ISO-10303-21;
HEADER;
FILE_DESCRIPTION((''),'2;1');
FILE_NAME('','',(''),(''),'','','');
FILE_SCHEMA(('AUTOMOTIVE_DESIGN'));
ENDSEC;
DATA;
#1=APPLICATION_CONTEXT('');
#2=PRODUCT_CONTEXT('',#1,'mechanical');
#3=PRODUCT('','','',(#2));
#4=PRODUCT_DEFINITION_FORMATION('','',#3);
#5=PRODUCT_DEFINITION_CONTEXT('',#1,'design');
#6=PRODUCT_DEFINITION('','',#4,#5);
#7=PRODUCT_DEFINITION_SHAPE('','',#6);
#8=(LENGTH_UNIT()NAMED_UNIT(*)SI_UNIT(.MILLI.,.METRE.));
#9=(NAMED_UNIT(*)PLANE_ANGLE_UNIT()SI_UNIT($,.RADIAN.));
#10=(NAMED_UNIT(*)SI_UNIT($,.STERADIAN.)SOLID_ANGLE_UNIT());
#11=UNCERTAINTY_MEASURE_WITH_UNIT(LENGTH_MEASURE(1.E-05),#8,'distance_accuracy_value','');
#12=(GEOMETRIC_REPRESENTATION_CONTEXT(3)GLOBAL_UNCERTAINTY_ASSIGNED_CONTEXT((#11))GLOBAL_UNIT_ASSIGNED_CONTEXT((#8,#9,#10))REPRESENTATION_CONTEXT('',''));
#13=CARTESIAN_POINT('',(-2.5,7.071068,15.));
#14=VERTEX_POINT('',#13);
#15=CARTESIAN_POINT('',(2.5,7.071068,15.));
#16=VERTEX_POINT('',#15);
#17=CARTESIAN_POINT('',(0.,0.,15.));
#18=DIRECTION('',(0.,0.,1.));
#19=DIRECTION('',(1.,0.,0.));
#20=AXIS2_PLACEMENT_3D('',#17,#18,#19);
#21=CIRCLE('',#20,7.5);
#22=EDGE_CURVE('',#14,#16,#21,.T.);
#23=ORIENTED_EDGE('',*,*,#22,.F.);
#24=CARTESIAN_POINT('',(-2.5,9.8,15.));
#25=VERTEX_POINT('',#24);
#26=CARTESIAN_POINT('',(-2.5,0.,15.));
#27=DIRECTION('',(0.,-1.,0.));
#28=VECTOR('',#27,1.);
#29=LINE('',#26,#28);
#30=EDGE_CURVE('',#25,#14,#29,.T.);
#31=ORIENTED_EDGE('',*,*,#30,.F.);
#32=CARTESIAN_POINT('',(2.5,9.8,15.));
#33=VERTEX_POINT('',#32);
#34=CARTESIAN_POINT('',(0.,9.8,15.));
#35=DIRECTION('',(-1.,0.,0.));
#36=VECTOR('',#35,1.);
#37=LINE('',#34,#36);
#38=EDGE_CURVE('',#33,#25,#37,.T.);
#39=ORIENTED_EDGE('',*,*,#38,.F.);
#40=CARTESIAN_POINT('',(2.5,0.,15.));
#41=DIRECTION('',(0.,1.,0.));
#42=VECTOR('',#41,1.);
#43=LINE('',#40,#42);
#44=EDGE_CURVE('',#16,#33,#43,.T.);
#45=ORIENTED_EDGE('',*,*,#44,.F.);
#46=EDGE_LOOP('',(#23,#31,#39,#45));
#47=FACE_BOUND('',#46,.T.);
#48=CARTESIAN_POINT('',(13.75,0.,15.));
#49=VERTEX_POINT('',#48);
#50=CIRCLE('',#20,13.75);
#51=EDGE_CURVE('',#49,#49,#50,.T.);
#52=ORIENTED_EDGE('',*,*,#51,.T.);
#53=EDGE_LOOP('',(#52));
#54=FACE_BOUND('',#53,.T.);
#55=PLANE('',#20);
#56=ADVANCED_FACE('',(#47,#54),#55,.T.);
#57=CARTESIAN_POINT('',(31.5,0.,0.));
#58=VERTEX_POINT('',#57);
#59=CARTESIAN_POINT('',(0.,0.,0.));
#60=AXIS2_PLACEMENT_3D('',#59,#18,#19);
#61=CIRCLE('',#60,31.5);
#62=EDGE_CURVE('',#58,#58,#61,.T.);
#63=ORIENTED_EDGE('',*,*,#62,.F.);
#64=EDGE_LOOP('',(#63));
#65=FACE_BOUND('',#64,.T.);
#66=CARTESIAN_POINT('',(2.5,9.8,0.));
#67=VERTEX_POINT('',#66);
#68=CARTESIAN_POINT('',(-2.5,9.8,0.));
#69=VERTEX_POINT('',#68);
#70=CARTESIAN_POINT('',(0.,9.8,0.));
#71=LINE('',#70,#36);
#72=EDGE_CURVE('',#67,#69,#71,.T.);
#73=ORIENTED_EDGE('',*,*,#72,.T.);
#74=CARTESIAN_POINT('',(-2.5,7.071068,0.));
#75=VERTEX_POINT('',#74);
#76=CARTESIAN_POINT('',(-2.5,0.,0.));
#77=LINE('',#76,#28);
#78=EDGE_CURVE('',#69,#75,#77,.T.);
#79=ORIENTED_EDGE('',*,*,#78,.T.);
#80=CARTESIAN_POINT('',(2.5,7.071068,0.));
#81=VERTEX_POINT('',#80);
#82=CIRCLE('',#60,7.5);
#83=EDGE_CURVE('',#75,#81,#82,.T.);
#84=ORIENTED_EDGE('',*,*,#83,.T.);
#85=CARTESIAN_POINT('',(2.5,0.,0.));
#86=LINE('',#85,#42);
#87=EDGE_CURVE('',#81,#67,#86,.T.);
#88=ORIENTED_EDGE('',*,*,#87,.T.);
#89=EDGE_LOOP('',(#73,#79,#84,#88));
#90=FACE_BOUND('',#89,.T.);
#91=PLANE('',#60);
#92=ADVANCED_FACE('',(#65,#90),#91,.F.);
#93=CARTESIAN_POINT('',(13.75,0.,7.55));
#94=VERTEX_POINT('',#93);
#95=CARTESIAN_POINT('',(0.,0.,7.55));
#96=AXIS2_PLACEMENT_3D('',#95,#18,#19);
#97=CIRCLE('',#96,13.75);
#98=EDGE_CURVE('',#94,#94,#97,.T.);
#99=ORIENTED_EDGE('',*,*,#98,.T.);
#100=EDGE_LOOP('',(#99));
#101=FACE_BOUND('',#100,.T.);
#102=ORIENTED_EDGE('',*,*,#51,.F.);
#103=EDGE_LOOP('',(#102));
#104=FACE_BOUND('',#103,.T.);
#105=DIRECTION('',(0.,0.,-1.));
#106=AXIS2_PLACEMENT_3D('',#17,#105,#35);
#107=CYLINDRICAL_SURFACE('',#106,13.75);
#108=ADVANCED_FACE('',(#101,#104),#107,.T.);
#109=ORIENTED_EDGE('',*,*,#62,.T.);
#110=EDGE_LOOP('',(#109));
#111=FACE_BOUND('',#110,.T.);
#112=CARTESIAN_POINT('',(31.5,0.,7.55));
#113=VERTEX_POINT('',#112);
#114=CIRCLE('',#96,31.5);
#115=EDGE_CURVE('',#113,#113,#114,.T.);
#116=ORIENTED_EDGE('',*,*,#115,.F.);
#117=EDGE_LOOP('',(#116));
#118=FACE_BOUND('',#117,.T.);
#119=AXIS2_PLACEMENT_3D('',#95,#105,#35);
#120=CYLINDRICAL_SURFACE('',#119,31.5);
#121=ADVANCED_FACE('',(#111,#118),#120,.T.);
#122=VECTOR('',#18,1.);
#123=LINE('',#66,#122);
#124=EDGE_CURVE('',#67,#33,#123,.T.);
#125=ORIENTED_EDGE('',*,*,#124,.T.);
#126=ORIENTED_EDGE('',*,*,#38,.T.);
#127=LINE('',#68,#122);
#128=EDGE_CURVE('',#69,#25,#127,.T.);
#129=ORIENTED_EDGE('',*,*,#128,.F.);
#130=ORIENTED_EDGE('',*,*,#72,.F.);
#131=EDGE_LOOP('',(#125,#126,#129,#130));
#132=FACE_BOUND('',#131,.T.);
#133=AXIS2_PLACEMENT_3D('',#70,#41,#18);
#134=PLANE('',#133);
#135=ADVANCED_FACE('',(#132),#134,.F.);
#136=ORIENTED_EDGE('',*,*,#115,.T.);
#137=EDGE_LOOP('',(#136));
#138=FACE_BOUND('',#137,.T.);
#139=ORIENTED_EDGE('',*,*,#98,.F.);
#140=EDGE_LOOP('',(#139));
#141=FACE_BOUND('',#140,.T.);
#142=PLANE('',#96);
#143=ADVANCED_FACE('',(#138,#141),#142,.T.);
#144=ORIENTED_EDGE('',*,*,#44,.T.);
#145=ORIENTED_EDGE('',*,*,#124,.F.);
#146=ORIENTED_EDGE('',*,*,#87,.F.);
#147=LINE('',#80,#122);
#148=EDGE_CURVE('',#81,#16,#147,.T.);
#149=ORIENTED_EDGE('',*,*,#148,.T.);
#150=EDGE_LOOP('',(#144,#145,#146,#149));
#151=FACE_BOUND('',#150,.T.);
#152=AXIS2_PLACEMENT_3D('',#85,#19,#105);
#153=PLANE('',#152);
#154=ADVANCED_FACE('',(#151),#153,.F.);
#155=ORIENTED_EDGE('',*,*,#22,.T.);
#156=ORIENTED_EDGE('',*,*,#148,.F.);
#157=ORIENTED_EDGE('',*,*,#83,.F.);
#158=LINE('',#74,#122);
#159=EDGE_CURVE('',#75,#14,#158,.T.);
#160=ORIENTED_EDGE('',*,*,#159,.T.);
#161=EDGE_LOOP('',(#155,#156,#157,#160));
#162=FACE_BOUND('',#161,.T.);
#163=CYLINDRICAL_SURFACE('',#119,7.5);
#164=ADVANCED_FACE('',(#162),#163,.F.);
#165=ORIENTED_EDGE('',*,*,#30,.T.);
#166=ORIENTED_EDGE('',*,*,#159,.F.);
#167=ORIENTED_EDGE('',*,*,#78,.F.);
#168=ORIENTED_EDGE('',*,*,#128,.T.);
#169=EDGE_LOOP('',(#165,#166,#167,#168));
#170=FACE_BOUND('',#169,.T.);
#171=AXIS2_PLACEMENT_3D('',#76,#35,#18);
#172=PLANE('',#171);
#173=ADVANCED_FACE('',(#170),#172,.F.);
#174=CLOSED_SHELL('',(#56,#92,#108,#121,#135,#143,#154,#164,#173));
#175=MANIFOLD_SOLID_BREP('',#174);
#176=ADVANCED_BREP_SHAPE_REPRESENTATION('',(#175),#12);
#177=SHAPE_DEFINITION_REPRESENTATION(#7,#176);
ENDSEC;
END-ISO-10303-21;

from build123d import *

# Parameters (mm, degrees)
SKETCH2_R           = 31.5
SKETCH2_R_2         = 7.5
BOSS_EXTRUDE1_DEPTH = 7.55
SKETCH4_R           = 13.75
SKETCH4_R_2         = 7.5
BOSS_EXTRUDE2_DEPTH = 7.45
CUT_EXTRUDE1_DEPTH  = 48.005318848


with BuildPart() as part:
    # Sketch2 → Boss-Extrude1 (new body)
    with BuildSketch(Plane.XY):
        Circle(SKETCH2_R)
        Circle(SKETCH2_R_2, mode=Mode.SUBTRACT)
    extrude(amount=BOSS_EXTRUDE1_DEPTH)

    # Sketch4 → Boss-Extrude2 (add)
    with BuildSketch(Plane.XY.offset(7.55)):
        Circle(SKETCH4_R)
        Circle(SKETCH4_R_2, mode=Mode.SUBTRACT)
    extrude(amount=BOSS_EXTRUDE2_DEPTH)

    # Sketch5 → Cut-Extrude1 (cut, through all)
    with BuildSketch(Plane.XY.offset(15)):
        with BuildLine():
            Line((2.5, 9.8), (-2.5, 9.8))
            Line((-2.5, 9.8), (-2.5, 7.071067812))
            ThreePointArc((-2.5, 7.071067812), (0, 7.5), (2.5, 7.071067812))
            Line((2.5, 7.071067812), (2.5, 9.8))
        make_face()
    extrude(amount=-CUT_EXTRUDE1_DEPTH, mode=Mode.SUBTRACT)


solid = part.part
